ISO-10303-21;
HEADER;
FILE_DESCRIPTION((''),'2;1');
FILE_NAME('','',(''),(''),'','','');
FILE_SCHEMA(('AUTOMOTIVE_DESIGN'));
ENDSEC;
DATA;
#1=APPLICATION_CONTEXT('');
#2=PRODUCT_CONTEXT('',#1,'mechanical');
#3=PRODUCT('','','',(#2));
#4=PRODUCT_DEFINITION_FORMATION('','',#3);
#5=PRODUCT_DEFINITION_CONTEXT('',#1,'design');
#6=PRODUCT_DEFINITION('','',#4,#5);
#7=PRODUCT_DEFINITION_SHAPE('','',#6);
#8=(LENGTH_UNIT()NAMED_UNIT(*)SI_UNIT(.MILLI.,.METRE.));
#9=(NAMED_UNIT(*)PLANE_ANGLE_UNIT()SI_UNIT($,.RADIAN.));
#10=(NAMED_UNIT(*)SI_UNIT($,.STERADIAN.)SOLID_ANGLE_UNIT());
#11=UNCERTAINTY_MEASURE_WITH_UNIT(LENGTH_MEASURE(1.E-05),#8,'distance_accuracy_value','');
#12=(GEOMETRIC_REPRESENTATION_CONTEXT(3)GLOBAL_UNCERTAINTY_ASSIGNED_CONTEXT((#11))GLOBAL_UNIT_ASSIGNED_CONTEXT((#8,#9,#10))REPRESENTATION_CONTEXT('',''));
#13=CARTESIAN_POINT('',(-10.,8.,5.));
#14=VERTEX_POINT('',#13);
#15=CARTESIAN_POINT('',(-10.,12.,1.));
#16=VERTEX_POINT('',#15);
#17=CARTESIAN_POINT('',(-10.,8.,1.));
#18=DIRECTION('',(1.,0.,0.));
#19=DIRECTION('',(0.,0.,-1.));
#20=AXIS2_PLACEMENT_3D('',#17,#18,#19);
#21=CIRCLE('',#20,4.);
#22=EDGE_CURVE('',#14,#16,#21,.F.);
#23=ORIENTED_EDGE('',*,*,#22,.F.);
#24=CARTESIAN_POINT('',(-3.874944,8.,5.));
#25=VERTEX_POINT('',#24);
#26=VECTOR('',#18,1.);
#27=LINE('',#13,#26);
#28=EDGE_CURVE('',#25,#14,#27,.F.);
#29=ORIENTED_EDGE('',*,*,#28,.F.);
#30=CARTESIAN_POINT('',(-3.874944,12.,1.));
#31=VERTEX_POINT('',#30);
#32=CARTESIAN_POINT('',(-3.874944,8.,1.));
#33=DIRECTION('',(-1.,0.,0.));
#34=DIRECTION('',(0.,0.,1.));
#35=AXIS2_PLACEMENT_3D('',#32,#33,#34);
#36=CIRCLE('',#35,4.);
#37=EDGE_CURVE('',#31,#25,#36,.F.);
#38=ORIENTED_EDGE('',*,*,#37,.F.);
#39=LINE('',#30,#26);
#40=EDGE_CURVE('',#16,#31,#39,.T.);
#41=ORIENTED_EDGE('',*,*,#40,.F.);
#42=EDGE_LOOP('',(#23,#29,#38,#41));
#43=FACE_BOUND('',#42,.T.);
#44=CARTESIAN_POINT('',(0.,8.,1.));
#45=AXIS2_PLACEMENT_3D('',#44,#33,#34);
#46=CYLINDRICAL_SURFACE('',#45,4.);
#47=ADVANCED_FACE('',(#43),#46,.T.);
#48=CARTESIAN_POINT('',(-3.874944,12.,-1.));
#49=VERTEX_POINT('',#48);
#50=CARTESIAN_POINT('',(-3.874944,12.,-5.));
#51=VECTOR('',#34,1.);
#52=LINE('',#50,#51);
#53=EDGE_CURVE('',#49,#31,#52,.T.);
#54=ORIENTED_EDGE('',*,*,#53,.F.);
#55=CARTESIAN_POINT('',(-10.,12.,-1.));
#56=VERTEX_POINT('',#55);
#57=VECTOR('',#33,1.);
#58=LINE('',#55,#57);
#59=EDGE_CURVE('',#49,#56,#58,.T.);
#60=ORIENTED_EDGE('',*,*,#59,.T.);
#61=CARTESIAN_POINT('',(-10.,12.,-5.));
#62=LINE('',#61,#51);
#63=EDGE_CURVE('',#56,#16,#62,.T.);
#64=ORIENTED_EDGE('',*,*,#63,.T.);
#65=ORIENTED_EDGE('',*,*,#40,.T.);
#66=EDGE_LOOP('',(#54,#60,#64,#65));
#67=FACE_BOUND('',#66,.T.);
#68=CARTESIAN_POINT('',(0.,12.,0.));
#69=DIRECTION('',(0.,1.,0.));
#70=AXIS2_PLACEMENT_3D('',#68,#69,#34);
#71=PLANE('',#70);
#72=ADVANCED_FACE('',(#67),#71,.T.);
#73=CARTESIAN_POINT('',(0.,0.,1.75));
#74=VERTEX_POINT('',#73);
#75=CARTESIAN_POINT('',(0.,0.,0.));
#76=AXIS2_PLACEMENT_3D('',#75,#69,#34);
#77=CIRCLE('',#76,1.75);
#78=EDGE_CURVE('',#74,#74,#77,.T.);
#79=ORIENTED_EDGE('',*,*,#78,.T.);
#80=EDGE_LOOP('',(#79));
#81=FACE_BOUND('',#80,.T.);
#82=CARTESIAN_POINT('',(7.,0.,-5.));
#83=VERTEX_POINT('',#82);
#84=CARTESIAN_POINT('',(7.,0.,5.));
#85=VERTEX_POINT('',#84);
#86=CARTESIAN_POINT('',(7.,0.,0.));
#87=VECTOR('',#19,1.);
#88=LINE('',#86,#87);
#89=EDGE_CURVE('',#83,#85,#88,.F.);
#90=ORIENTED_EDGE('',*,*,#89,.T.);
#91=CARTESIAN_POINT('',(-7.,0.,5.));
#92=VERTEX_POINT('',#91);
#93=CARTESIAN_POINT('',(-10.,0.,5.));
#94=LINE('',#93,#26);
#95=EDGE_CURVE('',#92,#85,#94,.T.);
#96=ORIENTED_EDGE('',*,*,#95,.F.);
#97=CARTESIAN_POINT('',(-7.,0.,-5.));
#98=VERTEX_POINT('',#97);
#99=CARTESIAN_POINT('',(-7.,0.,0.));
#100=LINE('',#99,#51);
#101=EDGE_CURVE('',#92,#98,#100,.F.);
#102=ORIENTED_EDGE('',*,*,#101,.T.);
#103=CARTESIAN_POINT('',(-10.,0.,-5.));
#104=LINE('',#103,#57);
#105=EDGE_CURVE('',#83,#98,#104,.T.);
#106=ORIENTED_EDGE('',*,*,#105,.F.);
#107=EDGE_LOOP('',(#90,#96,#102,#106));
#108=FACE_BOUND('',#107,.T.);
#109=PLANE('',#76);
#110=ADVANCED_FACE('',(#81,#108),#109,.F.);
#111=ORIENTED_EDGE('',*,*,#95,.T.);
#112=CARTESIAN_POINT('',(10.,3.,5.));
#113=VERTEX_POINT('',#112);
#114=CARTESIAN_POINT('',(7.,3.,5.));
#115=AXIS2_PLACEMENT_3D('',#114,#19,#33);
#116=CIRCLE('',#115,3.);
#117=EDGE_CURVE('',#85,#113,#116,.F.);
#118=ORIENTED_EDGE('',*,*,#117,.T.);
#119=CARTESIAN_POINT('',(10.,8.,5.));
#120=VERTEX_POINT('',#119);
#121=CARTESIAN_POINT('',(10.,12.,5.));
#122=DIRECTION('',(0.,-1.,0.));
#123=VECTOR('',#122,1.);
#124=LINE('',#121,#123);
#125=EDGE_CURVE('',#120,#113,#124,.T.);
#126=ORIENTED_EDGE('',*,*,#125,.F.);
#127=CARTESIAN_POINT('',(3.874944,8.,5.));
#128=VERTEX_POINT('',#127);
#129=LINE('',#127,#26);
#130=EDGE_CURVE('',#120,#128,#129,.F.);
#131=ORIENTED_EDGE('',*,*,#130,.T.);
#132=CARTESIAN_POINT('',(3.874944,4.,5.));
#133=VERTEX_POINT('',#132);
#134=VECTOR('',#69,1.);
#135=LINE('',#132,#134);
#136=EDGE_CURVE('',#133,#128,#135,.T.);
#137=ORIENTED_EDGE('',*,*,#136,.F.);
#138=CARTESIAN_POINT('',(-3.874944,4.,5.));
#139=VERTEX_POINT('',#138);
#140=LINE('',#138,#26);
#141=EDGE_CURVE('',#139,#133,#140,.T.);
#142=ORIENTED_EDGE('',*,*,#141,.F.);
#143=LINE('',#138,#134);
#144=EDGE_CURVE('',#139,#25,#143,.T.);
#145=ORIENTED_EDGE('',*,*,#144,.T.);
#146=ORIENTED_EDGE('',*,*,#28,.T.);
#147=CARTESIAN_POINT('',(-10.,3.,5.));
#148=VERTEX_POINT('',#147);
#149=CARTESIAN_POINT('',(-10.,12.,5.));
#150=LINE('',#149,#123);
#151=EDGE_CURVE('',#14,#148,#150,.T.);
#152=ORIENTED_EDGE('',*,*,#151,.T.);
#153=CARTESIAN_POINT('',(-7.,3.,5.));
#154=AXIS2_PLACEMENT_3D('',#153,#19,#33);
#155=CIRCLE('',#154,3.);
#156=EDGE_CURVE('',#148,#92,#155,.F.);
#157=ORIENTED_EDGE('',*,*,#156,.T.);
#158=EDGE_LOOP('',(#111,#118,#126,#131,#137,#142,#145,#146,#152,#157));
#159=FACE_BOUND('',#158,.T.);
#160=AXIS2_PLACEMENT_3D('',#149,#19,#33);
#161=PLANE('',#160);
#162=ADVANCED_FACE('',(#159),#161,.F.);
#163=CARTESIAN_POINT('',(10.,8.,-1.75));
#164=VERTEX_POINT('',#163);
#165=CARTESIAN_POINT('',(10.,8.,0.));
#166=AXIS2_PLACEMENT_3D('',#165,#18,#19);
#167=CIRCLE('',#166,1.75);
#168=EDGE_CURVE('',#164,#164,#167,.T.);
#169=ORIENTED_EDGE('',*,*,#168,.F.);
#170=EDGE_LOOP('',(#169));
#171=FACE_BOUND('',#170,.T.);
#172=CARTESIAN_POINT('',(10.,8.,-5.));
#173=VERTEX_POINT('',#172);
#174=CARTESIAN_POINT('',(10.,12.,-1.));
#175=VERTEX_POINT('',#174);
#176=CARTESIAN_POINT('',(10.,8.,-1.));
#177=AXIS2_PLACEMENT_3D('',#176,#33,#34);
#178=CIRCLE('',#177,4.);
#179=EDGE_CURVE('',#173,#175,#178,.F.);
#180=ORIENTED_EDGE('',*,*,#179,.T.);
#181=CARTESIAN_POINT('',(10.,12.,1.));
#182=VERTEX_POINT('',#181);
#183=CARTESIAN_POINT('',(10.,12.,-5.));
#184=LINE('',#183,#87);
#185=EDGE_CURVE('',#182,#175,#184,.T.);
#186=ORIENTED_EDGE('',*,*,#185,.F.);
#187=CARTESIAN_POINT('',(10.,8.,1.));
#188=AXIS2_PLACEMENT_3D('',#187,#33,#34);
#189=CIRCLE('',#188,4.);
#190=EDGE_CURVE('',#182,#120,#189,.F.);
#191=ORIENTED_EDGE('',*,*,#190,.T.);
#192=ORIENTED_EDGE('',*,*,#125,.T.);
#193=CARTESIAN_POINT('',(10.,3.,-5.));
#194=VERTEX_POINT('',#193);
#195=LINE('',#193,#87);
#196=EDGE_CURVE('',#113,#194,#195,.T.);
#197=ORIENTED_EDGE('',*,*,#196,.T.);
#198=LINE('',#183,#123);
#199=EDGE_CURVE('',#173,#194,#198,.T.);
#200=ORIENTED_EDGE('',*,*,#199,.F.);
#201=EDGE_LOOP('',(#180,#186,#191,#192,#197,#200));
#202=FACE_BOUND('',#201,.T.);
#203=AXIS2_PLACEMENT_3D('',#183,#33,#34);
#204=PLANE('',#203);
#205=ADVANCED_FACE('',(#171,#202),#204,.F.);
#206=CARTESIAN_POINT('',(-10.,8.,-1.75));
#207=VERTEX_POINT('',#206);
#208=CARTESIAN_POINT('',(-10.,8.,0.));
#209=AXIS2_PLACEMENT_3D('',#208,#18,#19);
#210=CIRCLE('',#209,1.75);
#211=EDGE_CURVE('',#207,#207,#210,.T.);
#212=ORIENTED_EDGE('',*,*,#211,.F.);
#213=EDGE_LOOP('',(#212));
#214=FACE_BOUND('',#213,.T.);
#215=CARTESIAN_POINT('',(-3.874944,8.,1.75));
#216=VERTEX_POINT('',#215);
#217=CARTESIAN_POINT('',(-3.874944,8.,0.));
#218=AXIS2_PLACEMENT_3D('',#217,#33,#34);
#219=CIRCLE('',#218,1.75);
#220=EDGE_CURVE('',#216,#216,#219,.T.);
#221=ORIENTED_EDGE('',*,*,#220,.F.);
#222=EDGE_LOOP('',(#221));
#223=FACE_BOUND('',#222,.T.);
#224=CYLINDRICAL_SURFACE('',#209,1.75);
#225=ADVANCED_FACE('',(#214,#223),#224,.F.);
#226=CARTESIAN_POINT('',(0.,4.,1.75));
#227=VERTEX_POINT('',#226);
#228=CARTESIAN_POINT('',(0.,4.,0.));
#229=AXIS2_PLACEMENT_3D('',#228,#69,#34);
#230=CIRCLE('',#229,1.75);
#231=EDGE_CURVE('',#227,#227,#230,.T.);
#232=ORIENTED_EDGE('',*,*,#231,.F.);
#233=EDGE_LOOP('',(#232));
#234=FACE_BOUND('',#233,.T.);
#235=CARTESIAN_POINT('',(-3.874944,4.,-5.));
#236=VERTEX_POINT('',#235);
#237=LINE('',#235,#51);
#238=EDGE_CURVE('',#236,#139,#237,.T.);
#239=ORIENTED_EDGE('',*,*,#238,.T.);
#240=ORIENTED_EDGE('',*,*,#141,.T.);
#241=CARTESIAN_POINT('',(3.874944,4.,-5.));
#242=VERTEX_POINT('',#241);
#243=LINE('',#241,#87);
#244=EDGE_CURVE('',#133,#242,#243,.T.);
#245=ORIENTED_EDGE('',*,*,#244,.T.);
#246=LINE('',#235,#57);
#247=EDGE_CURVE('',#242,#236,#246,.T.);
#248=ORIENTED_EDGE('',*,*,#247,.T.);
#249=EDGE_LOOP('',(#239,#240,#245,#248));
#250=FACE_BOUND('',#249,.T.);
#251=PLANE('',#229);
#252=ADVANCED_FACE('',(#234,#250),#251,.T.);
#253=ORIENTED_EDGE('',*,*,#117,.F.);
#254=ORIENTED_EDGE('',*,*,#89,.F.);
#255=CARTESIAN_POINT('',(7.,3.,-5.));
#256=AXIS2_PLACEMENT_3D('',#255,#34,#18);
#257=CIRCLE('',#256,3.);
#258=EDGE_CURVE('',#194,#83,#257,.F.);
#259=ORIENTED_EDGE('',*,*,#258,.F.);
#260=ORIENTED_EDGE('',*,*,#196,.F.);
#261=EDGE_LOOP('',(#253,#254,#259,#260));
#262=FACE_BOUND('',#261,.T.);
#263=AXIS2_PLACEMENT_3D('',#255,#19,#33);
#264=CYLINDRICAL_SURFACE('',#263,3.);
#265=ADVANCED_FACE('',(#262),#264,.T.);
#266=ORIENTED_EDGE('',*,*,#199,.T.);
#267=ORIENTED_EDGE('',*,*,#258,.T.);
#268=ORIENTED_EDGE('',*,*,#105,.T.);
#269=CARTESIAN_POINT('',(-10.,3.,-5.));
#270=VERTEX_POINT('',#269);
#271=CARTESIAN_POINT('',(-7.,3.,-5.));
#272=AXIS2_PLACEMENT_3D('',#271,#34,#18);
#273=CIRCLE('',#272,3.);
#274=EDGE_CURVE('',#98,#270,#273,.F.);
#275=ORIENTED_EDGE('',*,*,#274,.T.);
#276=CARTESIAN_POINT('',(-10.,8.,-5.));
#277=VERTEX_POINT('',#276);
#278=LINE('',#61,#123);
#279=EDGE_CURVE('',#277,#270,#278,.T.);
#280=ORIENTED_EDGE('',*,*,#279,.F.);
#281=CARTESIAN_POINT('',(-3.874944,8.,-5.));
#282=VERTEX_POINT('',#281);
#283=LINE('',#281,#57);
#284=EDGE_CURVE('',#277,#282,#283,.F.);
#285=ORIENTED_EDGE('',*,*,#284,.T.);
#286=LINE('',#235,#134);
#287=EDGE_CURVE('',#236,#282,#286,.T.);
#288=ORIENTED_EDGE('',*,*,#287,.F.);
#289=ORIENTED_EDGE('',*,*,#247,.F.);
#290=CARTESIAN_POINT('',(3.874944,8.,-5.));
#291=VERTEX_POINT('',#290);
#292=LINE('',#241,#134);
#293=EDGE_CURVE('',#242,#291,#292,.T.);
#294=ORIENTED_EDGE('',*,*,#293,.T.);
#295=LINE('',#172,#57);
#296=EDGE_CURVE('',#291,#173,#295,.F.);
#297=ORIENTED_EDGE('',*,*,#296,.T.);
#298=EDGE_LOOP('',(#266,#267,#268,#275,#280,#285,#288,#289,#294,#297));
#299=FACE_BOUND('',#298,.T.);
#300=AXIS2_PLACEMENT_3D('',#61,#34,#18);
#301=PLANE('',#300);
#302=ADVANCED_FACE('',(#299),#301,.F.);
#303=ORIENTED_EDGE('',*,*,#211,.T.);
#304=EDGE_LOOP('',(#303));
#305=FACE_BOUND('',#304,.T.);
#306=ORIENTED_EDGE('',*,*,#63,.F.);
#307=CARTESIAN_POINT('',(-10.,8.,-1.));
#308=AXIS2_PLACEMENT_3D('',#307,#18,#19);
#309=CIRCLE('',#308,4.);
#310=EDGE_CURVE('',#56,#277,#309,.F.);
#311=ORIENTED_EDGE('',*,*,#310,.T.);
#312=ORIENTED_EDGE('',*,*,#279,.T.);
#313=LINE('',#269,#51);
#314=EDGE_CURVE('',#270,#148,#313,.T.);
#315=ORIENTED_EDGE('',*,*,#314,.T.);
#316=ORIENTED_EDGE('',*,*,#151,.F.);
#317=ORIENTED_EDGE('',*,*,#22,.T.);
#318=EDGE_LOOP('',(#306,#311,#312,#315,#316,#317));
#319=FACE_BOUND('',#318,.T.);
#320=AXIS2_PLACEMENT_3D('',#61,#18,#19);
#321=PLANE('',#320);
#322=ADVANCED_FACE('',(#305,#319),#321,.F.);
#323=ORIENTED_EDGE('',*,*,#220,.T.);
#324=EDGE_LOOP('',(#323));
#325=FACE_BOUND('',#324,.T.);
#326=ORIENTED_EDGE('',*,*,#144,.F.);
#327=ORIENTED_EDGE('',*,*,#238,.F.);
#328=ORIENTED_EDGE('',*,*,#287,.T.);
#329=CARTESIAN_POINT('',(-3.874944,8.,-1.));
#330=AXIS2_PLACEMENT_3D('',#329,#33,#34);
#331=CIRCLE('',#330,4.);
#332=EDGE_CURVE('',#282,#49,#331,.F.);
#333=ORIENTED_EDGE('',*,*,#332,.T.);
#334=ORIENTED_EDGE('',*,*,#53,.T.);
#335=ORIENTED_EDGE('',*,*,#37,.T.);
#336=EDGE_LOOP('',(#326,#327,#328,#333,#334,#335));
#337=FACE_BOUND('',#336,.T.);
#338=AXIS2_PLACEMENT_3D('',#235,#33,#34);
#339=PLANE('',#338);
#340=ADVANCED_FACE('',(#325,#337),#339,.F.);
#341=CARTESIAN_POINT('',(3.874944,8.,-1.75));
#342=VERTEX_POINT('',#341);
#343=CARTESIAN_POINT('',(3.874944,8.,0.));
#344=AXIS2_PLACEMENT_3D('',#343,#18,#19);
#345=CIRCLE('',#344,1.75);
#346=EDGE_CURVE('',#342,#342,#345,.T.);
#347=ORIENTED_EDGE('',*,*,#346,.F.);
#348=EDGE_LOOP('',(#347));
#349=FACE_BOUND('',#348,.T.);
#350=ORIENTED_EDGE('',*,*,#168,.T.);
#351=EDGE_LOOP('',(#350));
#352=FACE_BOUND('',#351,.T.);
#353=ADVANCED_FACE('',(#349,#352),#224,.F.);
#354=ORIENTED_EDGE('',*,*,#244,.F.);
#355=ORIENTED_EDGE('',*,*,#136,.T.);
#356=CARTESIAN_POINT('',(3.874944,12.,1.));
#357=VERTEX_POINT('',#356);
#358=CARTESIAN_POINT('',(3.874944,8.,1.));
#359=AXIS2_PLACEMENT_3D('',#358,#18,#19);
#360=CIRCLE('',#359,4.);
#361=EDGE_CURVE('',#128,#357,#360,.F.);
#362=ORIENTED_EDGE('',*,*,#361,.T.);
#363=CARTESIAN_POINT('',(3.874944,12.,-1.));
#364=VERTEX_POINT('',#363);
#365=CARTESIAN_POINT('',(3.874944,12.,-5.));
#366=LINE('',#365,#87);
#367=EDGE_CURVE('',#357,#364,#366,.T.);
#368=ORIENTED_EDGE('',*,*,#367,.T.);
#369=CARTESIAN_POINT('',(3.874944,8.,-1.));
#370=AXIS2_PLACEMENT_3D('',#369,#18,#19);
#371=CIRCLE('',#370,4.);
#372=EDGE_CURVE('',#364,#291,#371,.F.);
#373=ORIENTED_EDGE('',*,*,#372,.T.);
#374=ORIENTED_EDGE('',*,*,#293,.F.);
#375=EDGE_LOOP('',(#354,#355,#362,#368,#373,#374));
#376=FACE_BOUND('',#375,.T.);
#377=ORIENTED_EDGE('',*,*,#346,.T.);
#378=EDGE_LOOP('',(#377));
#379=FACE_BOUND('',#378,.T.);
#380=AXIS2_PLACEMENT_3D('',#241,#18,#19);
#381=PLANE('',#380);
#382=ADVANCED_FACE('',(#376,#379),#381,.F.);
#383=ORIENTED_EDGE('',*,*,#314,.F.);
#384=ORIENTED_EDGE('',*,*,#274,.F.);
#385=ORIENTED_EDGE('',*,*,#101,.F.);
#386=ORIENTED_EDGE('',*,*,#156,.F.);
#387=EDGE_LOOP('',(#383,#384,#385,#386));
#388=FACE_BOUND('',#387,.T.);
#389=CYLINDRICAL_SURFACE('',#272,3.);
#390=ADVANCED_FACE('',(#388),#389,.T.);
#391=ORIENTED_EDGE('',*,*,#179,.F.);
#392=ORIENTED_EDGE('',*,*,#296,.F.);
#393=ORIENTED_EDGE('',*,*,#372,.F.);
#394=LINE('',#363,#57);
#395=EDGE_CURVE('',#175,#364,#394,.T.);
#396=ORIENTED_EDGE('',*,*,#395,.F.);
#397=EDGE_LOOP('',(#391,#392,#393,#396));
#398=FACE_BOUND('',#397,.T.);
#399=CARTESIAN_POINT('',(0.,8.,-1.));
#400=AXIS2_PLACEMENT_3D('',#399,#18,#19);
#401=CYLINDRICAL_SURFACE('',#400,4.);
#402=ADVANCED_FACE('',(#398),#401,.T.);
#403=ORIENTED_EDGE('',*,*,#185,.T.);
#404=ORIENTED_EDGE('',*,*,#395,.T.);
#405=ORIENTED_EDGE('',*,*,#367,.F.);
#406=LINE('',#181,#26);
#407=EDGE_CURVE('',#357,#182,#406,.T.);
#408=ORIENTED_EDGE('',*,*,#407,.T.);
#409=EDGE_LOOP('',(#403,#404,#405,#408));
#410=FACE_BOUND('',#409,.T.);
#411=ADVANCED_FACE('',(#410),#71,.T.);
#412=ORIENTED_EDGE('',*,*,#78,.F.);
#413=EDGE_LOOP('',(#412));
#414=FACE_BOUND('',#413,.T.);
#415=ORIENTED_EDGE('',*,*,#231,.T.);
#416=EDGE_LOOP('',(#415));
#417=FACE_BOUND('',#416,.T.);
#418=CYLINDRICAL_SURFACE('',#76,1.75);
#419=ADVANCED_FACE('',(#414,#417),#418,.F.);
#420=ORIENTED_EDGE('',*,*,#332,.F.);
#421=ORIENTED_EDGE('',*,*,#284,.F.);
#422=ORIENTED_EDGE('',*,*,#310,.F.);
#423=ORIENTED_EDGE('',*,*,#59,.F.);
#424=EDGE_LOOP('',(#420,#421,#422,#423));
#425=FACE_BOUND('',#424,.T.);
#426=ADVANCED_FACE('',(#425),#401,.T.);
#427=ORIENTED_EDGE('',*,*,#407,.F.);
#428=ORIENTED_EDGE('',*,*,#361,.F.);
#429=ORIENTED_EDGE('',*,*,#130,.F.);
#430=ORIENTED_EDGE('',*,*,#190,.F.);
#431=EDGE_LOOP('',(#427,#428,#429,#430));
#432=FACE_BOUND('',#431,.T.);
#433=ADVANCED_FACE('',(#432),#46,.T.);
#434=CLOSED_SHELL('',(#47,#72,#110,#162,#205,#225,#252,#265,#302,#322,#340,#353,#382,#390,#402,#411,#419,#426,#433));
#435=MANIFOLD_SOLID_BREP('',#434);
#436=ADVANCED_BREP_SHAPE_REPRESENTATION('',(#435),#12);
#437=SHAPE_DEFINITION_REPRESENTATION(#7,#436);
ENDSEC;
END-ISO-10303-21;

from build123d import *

# Parameters (mm, degrees)
SKETCH1_W           = 20
SKETCH1_H           = 10
BOSS_EXTRUDE1_DEPTH = 12
SKETCH2_W           = 7.749887486
SKETCH2_H           = 10
CUT_EXTRUDE1_DEPTH  = 8
FILLET1_R           = 4
SKETCH3_R           = 1.75
CUT_EXTRUDE2_DEPTH  = 21
FILLET2_R           = 3
SKETCH4_R           = 1.75
CUT_EXTRUDE3_DEPTH  = 5


with BuildPart() as part:
    # Sketch1 → Boss-Extrude1 (new body)
    with BuildSketch(Plane(origin=(0, 0, 0), x_dir=(1, 0, 0), z_dir=(0, 1, 0))):
        Rectangle(SKETCH1_W, SKETCH1_H)
    extrude(amount=BOSS_EXTRUDE1_DEPTH)

    # Sketch2 → Cut-Extrude1 (cut)
    with BuildSketch(Plane(origin=(0, 12, 0), x_dir=(1, 0, 0), z_dir=(0, 1, 0))):
        Rectangle(SKETCH2_W, SKETCH2_H)
    extrude(amount=-CUT_EXTRUDE1_DEPTH, mode=Mode.SUBTRACT)

    # Fillet1
    fillet1_edges = [part.edges().sort_by_distance(p)[0] for p in [
        (-6.937471871, 12, -5),
        (6.937471871, 12, 5),
        (-6.937471871, 12, 5),
        (6.937471871, 12, -5),
    ]]
    fillet(fillet1_edges, radius=FILLET1_R)

    # Sketch3 → Cut-Extrude2 (cut, through all)
    with BuildSketch(Plane(origin=(10, 0, 0), x_dir=(0, 0, -1), z_dir=(1, 0, 0))):
        with Locations((0, 8)):
            Circle(SKETCH3_R)
    extrude(amount=-CUT_EXTRUDE2_DEPTH, mode=Mode.SUBTRACT)

    # Fillet2
    fillet2_edges = [part.edges().sort_by_distance(p)[0] for p in [
        (-10, 0, 0),
        (10, 0, 0),
    ]]
    fillet(fillet2_edges, radius=FILLET2_R)

    # Sketch4 → Cut-Extrude3 (cut, through all)
    with BuildSketch(Plane(origin=(0, 4, 0), x_dir=(1, 0, 0), z_dir=(0, 1, 0))):
        Circle(SKETCH4_R)
    extrude(amount=-CUT_EXTRUDE3_DEPTH, mode=Mode.SUBTRACT)


solid = part.part
